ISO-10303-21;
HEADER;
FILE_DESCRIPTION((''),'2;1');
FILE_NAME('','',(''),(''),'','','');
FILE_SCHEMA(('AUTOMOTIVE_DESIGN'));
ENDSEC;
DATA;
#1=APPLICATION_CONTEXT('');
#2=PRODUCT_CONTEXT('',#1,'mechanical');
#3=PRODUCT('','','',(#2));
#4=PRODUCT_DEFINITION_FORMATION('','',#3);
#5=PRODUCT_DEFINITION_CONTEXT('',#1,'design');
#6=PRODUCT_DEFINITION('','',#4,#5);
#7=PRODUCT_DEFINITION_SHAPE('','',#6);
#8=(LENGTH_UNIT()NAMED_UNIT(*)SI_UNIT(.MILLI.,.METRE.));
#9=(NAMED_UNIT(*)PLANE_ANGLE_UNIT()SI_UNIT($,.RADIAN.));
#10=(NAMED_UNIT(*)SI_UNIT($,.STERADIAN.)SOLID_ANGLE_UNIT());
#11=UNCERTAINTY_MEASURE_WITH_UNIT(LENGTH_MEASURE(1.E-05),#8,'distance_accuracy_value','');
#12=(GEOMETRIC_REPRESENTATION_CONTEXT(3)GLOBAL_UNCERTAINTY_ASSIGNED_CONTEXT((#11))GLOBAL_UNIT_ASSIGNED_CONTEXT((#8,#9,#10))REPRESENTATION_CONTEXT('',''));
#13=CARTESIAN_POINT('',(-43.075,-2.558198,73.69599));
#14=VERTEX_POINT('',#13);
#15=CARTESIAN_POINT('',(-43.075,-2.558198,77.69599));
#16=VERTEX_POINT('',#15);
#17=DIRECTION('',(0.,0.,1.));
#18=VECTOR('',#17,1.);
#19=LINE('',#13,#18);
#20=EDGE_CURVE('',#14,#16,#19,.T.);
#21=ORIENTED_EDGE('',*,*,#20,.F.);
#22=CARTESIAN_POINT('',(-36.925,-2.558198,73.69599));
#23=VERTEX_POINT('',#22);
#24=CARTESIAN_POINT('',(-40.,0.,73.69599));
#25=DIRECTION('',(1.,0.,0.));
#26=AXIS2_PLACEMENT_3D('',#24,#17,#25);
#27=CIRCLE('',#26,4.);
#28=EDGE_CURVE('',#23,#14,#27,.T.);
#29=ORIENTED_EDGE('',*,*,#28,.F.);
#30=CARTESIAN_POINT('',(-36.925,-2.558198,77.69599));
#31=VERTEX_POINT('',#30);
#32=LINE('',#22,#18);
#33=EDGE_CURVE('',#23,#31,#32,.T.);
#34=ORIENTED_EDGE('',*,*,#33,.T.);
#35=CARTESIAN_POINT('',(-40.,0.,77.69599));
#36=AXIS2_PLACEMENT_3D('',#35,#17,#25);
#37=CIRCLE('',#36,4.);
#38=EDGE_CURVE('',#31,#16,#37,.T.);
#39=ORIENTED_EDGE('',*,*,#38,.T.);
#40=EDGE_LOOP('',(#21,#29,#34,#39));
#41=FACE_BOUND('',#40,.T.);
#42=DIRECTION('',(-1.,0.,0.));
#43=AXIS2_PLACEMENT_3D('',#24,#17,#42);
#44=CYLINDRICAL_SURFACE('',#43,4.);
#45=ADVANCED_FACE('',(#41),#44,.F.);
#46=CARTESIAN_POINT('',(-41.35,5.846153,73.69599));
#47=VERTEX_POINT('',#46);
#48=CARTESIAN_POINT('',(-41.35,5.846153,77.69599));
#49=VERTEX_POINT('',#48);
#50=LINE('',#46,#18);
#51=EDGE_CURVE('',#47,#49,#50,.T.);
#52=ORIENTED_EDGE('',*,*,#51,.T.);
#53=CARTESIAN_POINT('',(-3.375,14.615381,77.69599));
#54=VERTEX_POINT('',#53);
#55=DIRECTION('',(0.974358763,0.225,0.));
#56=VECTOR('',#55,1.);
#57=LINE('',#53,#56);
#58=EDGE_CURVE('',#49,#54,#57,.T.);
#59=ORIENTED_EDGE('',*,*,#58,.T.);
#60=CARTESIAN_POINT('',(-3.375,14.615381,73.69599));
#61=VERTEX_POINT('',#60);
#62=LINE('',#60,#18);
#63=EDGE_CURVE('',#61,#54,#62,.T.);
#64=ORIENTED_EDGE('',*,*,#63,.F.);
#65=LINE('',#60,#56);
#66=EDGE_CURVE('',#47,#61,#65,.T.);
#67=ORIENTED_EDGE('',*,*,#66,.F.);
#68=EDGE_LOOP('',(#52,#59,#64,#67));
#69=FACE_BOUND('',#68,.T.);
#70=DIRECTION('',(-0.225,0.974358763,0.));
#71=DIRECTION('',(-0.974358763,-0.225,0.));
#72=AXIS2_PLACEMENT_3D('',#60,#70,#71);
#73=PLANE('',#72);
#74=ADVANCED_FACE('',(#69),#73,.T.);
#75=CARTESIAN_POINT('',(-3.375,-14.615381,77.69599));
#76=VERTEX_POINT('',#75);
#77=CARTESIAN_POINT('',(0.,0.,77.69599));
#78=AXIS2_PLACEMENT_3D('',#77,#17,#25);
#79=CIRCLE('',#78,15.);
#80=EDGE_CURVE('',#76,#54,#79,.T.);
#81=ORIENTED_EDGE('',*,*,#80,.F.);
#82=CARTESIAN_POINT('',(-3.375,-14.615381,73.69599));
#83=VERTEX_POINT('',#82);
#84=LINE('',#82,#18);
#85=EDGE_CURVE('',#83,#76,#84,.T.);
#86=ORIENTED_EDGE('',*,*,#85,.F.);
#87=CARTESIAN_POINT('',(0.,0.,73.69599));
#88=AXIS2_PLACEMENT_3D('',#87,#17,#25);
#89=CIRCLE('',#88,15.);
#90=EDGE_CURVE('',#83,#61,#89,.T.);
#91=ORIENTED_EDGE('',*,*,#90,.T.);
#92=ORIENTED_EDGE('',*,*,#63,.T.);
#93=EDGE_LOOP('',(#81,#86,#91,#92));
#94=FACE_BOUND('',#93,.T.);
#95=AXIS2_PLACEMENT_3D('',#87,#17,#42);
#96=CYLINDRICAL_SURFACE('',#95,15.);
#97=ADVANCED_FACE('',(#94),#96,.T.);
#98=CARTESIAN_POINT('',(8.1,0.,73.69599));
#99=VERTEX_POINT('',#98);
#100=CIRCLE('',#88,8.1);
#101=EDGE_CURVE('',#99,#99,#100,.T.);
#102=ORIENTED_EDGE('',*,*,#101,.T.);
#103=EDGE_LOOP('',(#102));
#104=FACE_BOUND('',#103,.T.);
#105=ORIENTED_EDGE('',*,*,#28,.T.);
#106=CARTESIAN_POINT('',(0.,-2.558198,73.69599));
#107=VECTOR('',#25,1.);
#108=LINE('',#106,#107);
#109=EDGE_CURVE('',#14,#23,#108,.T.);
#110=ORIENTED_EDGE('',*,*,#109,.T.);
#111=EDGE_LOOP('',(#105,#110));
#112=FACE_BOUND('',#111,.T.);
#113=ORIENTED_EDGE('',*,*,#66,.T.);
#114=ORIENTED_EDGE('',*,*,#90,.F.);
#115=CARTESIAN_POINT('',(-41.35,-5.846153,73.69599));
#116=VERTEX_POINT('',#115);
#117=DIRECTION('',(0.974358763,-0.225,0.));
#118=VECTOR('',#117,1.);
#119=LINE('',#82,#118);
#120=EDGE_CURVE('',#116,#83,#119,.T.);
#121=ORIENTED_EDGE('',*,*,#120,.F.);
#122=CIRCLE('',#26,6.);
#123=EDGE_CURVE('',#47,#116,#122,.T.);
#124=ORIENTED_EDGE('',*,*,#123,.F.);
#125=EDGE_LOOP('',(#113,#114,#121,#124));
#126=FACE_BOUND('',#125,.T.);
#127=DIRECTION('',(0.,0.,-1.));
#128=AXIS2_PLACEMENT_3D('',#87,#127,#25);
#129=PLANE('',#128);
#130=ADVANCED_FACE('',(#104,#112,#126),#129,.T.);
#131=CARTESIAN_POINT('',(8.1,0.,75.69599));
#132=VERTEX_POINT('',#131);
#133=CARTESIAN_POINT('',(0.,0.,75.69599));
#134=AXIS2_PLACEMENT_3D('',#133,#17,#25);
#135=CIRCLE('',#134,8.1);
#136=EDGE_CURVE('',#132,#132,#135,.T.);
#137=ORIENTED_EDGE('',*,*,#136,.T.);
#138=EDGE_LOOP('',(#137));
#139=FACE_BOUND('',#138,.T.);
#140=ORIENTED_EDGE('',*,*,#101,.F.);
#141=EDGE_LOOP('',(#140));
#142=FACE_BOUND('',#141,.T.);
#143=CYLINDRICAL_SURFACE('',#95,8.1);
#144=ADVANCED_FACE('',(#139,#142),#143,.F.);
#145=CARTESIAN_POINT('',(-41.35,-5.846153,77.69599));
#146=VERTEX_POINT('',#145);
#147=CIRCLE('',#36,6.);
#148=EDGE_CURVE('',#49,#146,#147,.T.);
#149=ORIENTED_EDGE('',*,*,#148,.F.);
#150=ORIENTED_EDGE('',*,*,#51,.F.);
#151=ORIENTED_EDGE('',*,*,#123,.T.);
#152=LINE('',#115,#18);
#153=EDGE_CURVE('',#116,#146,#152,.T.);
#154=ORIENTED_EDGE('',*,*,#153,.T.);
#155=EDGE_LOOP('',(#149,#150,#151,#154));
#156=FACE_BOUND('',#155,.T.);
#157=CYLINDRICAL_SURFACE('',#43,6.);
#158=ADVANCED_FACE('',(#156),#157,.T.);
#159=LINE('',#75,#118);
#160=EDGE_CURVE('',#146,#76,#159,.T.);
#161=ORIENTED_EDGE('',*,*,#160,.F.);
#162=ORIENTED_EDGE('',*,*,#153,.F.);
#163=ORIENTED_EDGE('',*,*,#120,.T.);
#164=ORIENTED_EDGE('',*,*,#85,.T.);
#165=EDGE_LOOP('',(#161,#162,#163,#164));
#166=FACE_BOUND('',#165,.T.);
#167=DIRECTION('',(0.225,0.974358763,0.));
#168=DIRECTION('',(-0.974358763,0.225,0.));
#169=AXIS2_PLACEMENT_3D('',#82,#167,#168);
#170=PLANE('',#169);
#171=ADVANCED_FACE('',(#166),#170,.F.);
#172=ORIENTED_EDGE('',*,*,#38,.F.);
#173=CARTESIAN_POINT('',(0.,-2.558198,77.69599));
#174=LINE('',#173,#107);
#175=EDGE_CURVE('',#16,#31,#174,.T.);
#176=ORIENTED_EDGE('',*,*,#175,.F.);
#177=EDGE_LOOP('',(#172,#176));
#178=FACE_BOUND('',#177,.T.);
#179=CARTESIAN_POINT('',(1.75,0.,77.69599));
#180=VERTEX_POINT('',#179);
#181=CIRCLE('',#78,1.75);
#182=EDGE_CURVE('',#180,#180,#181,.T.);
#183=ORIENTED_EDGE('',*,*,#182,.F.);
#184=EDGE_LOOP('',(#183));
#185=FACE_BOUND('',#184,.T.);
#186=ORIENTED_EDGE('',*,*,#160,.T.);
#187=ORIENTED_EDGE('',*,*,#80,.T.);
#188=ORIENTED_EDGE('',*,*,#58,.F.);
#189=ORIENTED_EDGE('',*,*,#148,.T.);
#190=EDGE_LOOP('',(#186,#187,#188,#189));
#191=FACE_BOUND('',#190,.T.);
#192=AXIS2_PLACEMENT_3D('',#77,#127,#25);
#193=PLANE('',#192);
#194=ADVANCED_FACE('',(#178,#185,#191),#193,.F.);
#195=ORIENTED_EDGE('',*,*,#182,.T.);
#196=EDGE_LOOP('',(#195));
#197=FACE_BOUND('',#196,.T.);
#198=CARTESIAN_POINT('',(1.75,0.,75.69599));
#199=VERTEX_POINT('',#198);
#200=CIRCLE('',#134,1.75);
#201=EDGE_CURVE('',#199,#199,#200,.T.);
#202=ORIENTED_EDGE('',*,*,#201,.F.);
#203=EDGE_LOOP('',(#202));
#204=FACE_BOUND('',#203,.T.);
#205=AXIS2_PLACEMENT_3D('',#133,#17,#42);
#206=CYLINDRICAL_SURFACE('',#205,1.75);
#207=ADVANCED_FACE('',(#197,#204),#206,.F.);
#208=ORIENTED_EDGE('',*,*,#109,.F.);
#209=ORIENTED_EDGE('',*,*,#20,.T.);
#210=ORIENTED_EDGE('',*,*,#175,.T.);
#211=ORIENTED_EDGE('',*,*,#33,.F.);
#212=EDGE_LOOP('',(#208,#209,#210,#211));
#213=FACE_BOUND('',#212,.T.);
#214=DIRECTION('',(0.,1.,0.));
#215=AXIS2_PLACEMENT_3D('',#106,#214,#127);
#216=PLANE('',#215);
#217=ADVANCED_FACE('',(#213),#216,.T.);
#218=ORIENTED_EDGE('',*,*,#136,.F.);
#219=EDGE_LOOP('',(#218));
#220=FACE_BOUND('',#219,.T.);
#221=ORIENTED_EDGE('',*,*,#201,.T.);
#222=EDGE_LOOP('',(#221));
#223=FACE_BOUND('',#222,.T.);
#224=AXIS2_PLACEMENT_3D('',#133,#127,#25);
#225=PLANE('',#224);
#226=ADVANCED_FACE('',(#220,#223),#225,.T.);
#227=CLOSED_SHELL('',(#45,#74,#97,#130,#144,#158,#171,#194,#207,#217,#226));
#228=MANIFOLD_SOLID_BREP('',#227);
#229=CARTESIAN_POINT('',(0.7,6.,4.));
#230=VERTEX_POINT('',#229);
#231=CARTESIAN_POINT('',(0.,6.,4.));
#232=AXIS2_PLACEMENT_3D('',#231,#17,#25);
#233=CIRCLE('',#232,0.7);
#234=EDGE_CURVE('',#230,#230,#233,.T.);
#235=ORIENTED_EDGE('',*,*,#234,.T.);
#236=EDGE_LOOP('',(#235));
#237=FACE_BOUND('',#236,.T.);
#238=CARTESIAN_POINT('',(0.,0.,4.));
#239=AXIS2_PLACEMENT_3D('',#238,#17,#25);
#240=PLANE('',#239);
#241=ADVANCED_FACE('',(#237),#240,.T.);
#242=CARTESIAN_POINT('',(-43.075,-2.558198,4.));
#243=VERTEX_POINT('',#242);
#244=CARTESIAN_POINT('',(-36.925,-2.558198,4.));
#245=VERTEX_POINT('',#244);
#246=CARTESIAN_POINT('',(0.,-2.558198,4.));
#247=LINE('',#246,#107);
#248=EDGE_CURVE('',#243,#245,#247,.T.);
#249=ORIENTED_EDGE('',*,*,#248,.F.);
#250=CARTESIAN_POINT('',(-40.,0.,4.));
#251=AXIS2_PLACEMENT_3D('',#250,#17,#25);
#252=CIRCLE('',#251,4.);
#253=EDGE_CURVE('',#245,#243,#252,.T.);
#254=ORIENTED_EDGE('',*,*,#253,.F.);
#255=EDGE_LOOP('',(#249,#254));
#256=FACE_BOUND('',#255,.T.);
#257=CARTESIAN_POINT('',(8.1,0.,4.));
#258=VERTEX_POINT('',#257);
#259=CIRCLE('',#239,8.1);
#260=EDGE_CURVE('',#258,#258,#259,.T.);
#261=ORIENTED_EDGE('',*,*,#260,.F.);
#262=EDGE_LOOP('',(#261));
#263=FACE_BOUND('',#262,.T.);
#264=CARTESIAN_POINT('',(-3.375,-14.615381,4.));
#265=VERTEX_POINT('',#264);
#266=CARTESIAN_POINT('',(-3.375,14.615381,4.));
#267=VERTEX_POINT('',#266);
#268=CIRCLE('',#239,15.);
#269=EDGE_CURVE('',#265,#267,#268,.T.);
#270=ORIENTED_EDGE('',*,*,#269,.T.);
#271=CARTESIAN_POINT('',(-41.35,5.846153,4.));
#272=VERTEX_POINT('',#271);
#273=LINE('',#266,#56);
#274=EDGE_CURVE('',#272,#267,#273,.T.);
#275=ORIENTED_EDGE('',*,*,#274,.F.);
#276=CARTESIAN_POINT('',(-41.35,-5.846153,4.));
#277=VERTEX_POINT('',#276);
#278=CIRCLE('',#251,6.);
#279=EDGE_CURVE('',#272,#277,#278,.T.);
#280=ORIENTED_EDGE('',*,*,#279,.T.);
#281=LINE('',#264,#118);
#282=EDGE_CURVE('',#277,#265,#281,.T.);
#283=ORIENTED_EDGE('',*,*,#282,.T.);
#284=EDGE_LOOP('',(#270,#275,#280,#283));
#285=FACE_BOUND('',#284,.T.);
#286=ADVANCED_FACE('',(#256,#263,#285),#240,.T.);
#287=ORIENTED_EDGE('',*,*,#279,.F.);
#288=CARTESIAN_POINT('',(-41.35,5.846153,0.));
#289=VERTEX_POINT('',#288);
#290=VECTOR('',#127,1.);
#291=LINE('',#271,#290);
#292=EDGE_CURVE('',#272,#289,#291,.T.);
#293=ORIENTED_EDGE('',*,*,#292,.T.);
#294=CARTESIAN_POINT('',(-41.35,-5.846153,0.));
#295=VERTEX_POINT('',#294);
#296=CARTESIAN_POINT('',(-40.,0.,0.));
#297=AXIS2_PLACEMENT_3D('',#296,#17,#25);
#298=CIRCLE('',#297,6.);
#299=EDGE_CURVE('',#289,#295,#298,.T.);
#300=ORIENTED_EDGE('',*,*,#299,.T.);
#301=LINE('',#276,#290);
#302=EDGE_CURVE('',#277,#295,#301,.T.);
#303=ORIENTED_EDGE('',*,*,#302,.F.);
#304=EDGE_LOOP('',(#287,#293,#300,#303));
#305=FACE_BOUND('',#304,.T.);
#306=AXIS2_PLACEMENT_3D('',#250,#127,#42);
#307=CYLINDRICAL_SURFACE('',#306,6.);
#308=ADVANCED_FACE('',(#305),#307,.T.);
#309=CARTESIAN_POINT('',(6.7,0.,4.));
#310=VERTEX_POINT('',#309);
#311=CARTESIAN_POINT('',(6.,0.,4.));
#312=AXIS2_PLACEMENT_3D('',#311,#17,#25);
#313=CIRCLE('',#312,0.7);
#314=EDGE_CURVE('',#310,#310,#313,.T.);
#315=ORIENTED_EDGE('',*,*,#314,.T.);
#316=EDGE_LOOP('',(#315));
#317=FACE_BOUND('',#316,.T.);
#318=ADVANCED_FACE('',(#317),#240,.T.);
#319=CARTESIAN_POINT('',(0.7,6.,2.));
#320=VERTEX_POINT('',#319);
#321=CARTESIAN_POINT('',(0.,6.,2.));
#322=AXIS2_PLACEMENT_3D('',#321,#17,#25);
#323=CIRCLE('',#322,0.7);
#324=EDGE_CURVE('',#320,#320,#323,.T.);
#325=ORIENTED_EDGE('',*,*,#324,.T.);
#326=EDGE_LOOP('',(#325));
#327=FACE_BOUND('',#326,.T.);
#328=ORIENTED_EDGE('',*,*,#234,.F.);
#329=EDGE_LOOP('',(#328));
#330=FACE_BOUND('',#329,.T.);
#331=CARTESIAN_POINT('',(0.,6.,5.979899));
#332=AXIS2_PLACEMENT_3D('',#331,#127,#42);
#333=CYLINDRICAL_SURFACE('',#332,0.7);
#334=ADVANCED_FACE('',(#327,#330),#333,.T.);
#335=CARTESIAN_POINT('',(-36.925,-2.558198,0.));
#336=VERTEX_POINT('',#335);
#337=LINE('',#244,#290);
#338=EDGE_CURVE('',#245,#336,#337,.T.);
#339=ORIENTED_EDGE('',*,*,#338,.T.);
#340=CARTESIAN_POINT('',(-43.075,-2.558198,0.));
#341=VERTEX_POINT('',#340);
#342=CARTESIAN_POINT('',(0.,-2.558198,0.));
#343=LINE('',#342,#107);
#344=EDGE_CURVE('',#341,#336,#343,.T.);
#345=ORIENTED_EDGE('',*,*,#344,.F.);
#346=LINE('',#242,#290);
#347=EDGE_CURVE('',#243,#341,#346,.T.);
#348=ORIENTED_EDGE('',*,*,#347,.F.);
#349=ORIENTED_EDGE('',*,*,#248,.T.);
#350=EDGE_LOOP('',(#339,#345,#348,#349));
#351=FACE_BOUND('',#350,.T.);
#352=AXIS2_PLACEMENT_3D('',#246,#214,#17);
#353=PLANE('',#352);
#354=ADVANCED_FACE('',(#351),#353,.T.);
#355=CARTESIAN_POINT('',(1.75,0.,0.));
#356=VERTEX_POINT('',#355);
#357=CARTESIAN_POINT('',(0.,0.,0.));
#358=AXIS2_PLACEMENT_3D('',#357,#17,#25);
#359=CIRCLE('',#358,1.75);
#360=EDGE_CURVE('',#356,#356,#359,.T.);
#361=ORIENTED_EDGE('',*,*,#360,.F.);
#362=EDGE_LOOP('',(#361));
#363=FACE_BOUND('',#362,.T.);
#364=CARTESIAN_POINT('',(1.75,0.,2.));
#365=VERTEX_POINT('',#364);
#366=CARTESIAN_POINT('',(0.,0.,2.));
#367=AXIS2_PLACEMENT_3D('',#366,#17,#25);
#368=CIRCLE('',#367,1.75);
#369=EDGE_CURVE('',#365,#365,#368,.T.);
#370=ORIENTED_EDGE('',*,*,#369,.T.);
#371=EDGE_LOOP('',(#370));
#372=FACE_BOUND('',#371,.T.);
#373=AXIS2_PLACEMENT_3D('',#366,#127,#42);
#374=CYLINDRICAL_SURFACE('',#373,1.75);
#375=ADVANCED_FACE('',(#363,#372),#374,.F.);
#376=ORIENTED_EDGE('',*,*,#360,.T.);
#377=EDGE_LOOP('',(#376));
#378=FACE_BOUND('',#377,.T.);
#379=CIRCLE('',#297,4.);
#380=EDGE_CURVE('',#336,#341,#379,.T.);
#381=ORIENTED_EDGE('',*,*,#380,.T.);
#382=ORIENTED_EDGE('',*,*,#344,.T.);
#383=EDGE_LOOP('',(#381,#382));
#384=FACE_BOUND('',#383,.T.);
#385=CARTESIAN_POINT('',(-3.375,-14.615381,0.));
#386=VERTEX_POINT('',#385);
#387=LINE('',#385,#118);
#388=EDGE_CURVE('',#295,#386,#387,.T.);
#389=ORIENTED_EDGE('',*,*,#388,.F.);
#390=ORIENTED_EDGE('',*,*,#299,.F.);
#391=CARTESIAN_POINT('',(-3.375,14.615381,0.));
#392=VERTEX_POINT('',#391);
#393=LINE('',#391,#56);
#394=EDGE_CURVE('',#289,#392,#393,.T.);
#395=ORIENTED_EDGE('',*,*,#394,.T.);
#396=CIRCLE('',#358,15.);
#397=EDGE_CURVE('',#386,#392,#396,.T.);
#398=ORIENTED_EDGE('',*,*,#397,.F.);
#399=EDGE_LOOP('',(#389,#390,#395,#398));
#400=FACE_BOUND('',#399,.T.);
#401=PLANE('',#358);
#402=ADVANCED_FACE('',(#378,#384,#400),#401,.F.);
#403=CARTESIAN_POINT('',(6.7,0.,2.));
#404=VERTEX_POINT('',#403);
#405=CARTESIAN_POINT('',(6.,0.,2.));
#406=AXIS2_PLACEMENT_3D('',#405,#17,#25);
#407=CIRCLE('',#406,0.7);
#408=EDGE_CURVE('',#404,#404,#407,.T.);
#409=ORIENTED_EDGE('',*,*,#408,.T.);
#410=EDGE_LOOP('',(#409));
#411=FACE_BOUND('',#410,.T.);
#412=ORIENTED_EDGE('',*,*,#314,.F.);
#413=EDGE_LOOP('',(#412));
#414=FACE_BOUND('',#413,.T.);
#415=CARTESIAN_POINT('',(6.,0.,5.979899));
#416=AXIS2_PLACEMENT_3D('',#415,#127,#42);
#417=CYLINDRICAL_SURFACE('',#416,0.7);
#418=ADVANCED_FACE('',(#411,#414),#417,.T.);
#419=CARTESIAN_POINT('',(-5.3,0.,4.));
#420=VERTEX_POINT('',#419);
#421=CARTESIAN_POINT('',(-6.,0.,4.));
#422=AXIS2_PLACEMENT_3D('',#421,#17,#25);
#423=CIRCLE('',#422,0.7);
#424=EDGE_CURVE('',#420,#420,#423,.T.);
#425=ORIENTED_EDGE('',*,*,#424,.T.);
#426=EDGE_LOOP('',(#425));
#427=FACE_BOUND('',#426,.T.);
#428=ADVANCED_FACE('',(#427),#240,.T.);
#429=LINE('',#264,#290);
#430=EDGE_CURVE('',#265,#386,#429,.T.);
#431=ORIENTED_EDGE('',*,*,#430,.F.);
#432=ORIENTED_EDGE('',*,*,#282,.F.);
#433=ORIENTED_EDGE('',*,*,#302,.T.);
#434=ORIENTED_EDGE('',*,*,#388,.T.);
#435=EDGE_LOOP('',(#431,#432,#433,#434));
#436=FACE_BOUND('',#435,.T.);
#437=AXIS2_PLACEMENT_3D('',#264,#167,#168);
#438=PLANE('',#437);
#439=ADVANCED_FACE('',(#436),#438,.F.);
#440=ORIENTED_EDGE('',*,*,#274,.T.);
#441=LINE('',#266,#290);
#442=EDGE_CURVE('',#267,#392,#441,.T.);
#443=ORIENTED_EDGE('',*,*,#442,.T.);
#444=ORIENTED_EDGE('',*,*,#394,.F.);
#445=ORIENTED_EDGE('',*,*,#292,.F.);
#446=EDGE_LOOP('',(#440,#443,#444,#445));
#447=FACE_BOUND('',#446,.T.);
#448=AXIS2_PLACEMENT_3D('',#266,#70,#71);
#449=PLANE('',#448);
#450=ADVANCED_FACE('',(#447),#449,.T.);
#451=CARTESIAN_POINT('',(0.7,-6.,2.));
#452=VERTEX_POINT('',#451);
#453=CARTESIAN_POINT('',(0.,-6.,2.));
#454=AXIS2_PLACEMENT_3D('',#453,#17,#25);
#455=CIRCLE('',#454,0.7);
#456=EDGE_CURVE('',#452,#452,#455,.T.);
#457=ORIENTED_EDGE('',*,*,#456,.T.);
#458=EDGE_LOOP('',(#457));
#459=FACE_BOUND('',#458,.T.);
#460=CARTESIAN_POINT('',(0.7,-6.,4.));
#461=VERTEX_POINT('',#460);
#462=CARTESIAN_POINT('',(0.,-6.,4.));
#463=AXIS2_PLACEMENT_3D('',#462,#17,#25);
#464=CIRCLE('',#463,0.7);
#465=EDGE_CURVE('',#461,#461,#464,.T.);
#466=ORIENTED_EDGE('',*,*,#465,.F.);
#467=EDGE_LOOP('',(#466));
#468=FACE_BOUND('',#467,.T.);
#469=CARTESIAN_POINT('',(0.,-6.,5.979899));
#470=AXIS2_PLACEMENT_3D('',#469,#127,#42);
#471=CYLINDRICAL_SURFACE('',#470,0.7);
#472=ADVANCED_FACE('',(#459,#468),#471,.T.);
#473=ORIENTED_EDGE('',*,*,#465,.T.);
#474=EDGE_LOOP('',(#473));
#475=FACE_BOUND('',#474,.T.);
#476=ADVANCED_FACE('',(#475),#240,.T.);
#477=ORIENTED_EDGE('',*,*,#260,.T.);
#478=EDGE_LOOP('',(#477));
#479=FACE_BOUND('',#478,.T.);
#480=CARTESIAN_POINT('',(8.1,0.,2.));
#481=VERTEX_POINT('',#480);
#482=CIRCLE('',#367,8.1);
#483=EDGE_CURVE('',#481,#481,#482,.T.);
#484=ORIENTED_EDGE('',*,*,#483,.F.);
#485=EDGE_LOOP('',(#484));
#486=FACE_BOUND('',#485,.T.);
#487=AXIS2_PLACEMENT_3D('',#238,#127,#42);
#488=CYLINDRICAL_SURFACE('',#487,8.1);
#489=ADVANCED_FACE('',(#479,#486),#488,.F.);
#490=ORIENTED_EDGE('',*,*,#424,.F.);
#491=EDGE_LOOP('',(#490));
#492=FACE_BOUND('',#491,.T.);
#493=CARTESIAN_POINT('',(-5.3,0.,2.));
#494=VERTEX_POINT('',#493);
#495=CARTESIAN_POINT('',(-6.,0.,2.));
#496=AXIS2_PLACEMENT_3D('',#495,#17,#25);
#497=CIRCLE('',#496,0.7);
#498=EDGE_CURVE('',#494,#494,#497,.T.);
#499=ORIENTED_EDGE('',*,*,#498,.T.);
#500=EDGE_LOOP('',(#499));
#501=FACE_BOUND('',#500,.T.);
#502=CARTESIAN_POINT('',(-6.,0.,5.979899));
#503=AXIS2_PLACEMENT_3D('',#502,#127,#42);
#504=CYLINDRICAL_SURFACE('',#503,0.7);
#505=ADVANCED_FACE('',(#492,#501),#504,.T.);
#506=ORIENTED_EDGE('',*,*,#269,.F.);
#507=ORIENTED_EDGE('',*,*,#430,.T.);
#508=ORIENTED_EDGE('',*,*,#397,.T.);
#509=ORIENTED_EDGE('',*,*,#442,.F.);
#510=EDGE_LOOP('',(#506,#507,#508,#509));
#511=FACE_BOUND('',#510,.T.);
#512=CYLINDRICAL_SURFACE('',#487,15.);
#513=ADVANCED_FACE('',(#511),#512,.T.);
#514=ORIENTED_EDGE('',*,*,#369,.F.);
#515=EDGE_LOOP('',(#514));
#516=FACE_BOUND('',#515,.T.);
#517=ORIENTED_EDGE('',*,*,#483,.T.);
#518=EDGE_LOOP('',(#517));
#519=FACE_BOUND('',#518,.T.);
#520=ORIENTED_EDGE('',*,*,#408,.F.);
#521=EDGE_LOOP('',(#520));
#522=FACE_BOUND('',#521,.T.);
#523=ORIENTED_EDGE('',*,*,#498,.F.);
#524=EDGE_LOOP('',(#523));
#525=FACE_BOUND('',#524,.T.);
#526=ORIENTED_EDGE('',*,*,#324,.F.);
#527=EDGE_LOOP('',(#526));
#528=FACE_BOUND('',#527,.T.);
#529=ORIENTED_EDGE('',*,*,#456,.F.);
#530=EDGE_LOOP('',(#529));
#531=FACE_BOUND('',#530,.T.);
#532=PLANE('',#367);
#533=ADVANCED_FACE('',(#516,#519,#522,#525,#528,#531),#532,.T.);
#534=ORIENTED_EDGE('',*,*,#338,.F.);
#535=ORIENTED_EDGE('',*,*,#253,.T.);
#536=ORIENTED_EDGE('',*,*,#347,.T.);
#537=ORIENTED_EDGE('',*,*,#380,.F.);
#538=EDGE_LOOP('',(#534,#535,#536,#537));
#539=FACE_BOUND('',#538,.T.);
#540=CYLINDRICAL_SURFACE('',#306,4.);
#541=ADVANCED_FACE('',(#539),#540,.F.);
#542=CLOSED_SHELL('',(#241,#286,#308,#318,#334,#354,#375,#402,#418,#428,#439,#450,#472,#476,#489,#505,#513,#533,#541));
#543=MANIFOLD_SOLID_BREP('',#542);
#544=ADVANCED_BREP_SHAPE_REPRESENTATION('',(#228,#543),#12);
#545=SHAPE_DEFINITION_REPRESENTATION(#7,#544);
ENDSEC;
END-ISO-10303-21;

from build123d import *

# Parameters (mm, degrees)
SKETCH1_R           = 15
SKETCH1_R_2         = 8.1
BOSS_EXTRUDE1_DEPTH = 4
SKETCH1_3_R         = 8.1
SKETCH1_3_R_2       = 1.75
BOSS_EXTRUDE2_DEPTH = 2
BOSS_EXTRUDE3_DEPTH = 4
SKETCH3_R           = 0.7
BOSS_EXTRUDE4_DEPTH = 2


with BuildPart() as part:
    # Sketch1 → Boss-Extrude1 (new body)
    with BuildSketch(Plane.XY):
        Circle(SKETCH1_R)
        Circle(SKETCH1_R_2, mode=Mode.SUBTRACT)
    extrude(amount=BOSS_EXTRUDE1_DEPTH)

    # Sketch1<3> → Boss-Extrude2 (add)
    with BuildSketch(Plane.XY):
        Circle(SKETCH1_3_R)
        Circle(SKETCH1_3_R_2, mode=Mode.SUBTRACT)
    extrude(amount=BOSS_EXTRUDE2_DEPTH)

    # Sketch2 → Boss-Extrude3 (add)
    with BuildSketch(Plane.XY):
        with BuildLine():
            Line((-3.375, 14.615381452), (-41.35, 5.846152581))
            ThreePointArc((-41.35, 5.846152581), (-46, 0), (-41.35, -5.846152581))
            Line((-41.35, -5.846152581), (-3.375, -14.615381452))
            ThreePointArc((-3.375, -14.615381452), (-15, 0), (-3.375, 14.615381452))
        make_face()
        with BuildLine():
            Line((-36.925, -2.558197608), (-43.075, -2.558197608))
            ThreePointArc((-43.075, -2.558197608), (-40, 4), (-36.925, -2.558197608))
        make_face(mode=Mode.SUBTRACT)
    extrude(amount=BOSS_EXTRUDE3_DEPTH)


with BuildPart() as body_2:
    # Mirror2: mirrored copy
    add(part.part.mirror(Plane.XY.offset(38.847994838)))


with BuildPart() as part_1:
    add(part.part)

    # Sketch3 → Boss-Extrude4 (add)
    with BuildSketch(Plane.XY.offset(2)):
        with Locations((0, 6)):
            Circle(SKETCH3_R)
        with Locations((6, 0)):
            Circle(SKETCH3_R)
        with Locations((0, -6)):
            Circle(SKETCH3_R)
        with Locations((-6, 0)):
            Circle(SKETCH3_R)
    extrude(amount=BOSS_EXTRUDE4_DEPTH)


solid = Compound([body_2.part, part_1.part])
